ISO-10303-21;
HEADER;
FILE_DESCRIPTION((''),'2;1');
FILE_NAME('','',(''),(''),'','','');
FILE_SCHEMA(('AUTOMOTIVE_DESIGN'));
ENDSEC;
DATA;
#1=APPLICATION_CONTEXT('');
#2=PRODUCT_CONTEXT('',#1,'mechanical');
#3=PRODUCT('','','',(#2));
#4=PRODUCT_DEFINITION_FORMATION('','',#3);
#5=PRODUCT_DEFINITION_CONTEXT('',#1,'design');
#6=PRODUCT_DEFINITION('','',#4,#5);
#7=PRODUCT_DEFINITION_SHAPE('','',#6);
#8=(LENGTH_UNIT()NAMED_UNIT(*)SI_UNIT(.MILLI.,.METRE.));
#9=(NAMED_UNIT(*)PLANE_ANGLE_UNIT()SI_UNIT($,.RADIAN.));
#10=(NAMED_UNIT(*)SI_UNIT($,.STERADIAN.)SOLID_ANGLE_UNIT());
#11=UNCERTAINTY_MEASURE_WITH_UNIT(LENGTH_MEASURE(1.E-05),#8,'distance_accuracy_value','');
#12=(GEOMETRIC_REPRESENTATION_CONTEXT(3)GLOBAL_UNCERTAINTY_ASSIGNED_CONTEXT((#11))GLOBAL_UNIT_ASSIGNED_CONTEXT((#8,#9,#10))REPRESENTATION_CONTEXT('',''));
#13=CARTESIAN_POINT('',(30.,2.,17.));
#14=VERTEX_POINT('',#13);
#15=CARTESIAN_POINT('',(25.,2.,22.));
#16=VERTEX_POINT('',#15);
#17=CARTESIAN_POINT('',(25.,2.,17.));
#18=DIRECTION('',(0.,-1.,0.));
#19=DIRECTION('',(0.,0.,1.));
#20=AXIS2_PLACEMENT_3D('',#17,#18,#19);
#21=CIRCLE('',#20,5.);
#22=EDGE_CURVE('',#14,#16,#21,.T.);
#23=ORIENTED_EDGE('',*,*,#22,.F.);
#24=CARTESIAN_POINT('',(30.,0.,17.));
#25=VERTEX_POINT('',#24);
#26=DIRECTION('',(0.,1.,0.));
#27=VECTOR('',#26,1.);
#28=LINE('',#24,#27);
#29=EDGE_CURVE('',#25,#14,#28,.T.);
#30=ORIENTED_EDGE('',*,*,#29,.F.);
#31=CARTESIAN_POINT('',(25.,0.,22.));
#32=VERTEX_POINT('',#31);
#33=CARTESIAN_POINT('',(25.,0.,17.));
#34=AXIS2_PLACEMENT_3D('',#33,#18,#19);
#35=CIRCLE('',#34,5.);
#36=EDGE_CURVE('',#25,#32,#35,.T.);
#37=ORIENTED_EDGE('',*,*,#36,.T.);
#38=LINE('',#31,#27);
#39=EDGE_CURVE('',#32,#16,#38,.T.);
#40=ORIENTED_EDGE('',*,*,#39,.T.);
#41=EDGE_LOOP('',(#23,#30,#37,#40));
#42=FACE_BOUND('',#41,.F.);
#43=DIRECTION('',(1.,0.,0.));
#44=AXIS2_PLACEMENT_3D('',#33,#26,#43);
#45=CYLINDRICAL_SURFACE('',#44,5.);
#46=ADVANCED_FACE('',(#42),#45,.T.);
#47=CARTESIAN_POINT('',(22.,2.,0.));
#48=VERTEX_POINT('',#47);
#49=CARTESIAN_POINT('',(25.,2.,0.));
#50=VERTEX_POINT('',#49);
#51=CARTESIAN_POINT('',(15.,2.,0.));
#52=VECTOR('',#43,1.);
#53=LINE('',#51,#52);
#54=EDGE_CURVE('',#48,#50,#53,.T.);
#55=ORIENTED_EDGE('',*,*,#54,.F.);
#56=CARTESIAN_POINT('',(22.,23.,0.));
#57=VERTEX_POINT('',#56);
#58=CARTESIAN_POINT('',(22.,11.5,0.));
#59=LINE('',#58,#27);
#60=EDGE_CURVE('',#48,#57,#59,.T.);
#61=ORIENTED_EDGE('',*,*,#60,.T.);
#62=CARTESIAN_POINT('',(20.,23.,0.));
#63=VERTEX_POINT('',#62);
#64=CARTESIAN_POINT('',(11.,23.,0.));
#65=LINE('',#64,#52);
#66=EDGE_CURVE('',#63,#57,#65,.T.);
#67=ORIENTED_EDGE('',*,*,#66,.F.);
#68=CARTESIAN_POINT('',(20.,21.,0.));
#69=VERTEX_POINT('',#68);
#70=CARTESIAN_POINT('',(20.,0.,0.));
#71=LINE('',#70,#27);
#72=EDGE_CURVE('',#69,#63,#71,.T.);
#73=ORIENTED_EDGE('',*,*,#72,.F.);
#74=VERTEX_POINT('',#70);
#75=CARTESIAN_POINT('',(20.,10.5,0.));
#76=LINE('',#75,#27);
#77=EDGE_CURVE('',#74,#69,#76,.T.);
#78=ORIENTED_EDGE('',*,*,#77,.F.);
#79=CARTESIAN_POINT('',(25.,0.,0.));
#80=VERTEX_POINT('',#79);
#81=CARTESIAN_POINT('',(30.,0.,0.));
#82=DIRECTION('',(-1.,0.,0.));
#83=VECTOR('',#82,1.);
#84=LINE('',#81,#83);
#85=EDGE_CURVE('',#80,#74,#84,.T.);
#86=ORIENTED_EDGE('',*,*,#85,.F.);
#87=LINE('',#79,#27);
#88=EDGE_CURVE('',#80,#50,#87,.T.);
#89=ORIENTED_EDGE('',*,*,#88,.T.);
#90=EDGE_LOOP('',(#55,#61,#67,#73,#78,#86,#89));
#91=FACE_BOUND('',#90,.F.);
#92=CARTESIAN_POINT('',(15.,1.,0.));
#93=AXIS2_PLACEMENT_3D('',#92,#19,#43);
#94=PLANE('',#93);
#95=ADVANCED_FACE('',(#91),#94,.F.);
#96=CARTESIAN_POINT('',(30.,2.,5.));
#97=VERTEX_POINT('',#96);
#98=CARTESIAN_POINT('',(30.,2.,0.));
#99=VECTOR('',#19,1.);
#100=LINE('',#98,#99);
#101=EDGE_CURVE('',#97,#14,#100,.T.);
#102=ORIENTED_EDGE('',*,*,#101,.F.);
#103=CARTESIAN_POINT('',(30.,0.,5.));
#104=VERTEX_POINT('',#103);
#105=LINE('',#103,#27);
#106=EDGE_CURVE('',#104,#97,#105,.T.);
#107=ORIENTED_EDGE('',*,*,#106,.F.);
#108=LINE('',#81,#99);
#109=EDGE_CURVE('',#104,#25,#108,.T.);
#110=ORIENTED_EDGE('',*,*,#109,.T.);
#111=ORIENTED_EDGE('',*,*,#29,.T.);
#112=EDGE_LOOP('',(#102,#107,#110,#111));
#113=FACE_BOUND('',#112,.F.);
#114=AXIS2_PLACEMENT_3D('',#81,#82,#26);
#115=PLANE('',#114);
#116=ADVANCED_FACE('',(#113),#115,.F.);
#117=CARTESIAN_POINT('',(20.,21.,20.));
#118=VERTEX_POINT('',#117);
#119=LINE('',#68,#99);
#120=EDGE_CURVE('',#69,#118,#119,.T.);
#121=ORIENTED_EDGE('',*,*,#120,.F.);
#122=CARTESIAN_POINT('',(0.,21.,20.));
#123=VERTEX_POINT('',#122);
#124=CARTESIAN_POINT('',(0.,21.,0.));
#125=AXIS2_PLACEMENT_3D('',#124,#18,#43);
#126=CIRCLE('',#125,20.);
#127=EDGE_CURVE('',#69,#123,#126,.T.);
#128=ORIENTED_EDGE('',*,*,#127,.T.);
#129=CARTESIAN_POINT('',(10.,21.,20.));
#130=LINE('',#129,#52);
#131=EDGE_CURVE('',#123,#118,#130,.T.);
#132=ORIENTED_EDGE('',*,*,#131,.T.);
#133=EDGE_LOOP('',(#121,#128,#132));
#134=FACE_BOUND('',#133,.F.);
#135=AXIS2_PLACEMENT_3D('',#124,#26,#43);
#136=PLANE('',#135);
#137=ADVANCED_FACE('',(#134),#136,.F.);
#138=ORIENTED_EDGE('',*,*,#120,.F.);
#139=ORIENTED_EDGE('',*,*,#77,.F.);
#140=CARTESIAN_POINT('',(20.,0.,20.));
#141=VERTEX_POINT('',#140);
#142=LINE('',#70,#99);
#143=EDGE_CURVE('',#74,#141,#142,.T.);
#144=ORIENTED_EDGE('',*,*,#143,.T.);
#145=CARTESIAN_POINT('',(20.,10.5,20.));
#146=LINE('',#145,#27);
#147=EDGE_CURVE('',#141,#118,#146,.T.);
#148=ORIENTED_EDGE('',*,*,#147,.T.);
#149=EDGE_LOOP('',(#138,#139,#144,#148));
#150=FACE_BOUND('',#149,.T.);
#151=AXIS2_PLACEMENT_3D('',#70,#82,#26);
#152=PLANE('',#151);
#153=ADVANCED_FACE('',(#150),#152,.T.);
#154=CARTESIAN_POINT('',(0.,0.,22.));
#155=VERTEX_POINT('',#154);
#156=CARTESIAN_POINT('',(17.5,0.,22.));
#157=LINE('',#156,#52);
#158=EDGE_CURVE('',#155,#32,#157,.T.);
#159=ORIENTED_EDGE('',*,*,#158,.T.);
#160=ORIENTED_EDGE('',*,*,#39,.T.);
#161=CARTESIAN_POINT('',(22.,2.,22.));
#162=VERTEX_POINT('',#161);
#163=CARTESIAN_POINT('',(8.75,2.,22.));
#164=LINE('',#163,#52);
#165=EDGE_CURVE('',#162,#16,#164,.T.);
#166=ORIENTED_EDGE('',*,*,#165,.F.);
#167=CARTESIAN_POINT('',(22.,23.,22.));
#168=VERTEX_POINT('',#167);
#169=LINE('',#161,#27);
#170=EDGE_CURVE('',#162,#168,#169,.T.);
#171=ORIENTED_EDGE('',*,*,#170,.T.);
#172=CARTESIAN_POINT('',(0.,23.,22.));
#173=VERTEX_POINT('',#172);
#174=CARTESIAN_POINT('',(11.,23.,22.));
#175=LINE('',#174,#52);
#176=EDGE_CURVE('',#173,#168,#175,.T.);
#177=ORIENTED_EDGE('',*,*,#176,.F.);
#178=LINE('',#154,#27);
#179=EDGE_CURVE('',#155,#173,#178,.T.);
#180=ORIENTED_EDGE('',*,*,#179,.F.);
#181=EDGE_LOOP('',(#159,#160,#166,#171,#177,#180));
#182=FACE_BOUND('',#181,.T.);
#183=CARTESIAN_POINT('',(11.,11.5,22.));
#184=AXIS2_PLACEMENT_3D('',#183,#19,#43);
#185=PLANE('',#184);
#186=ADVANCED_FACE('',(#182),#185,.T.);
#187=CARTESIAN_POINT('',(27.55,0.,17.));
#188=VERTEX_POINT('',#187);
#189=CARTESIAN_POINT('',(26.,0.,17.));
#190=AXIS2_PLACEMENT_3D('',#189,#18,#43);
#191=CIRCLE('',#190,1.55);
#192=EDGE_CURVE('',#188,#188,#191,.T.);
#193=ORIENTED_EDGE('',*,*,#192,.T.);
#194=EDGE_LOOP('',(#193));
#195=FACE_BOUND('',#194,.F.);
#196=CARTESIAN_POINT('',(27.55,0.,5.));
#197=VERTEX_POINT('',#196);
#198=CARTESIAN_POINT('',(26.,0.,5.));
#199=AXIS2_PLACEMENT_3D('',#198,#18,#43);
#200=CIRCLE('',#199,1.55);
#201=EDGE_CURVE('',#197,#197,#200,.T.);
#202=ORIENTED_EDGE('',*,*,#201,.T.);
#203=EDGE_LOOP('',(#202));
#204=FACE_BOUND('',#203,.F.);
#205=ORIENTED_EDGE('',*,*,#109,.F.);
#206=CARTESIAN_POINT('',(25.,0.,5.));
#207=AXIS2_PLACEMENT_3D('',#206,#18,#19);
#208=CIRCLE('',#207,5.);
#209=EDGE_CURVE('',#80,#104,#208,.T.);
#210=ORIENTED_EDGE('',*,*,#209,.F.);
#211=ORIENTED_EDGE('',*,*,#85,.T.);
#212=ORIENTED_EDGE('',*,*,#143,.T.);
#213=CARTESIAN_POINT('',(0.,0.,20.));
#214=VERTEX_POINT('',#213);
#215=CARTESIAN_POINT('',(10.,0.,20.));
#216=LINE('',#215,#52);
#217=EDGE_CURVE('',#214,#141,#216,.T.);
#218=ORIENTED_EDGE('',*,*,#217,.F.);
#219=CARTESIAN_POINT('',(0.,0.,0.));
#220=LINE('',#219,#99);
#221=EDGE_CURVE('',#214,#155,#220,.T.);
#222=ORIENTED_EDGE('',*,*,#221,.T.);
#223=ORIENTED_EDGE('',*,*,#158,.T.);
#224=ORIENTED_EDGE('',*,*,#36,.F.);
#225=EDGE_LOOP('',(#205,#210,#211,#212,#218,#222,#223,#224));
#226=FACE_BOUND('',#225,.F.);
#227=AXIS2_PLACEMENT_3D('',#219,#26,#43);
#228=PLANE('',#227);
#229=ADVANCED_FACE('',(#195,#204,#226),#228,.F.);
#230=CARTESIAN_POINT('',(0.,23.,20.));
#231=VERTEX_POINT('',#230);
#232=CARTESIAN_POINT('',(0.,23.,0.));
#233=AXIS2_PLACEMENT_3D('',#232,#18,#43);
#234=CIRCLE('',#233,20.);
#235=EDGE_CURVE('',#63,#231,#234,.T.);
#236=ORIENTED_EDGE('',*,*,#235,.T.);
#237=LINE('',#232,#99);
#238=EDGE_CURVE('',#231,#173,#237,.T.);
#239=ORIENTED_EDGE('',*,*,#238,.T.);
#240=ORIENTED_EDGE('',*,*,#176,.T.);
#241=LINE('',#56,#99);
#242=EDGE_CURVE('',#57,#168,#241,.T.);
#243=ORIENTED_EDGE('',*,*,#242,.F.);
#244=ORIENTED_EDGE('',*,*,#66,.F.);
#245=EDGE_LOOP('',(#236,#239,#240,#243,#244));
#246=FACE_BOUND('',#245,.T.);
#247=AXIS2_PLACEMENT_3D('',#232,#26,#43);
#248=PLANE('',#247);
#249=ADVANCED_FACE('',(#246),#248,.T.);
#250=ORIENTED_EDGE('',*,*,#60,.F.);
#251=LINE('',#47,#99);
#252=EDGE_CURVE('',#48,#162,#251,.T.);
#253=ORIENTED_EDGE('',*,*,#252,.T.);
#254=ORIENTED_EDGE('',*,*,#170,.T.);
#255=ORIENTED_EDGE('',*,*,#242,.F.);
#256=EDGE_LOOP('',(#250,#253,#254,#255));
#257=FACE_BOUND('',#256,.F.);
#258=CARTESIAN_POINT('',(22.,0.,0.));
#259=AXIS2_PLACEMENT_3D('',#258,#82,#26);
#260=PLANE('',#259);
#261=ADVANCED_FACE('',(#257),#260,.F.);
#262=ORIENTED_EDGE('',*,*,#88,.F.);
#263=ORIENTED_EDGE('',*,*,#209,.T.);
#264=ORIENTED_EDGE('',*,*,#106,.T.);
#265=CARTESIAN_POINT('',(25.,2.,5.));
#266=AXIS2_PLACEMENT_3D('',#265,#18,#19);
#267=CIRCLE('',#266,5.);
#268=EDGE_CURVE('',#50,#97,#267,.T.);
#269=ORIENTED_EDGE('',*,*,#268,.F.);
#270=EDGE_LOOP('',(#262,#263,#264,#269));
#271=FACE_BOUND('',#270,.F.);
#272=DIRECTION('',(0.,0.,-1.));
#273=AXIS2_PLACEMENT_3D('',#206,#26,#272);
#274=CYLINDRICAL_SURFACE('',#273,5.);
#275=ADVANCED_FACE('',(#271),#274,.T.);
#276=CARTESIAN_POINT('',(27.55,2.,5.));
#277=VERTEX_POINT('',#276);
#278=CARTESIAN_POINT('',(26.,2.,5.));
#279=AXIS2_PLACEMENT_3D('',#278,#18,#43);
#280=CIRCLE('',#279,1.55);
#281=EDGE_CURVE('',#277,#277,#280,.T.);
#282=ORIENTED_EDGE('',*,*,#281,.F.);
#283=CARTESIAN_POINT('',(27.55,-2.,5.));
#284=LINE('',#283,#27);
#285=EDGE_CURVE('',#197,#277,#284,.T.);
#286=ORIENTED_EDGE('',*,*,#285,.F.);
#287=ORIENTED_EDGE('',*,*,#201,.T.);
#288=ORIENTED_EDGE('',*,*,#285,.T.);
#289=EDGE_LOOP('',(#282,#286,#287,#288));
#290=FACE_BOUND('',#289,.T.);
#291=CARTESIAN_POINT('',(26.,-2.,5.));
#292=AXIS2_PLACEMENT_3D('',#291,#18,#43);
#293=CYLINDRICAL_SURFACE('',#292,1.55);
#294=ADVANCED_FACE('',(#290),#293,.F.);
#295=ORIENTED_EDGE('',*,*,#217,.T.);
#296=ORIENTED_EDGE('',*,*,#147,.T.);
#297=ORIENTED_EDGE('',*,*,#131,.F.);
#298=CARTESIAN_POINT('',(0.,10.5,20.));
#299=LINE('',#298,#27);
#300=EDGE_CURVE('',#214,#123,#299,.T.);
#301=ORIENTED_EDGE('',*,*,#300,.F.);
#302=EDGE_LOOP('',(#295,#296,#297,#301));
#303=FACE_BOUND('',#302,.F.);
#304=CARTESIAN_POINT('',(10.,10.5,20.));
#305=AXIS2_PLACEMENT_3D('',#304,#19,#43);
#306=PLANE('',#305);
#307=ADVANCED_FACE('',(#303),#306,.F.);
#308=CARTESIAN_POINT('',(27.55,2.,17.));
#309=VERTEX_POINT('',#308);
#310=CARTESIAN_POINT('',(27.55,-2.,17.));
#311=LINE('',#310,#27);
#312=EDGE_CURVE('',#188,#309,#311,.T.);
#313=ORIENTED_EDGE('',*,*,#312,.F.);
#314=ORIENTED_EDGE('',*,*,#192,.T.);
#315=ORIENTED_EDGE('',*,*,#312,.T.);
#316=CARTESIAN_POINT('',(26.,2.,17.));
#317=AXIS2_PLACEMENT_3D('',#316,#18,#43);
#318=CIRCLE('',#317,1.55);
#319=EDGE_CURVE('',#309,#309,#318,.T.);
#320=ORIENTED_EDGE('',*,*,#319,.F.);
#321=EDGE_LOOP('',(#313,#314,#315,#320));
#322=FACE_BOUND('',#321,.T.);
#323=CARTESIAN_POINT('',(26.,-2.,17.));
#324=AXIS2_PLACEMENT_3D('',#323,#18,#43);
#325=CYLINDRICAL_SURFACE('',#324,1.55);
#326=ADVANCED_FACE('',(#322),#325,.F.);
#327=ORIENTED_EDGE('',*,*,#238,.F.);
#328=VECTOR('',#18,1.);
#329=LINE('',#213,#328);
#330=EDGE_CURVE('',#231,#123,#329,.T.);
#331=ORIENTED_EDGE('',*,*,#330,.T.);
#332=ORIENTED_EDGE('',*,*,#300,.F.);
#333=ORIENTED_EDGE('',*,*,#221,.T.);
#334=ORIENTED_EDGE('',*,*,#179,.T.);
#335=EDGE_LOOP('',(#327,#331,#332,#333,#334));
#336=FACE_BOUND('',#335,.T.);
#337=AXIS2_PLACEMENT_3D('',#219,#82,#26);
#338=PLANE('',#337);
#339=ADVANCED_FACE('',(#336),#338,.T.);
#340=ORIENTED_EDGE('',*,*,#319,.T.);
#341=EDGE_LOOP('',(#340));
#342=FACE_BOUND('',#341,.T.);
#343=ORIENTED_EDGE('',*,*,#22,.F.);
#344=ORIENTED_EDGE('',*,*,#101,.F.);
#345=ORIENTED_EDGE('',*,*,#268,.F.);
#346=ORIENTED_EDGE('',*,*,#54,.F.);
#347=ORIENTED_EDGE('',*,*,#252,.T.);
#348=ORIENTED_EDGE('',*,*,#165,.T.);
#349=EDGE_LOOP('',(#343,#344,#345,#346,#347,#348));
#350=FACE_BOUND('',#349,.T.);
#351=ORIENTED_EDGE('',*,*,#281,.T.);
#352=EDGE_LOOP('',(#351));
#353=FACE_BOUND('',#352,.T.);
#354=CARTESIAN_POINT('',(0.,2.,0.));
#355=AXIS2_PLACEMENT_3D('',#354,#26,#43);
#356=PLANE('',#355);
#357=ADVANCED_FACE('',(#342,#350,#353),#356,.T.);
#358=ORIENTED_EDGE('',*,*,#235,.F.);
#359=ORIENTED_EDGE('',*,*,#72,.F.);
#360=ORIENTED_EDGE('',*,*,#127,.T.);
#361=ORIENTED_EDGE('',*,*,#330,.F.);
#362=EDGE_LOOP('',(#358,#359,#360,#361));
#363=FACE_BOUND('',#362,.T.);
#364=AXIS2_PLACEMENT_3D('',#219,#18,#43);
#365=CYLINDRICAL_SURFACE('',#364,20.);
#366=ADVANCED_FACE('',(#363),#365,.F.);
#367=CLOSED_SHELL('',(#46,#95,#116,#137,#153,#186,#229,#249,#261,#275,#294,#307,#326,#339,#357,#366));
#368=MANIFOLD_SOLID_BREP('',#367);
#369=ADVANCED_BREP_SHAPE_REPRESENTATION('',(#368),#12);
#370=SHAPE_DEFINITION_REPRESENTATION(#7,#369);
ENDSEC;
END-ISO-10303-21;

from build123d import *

# Parameters (mm, degrees)
CYLINDER_R             = 1.55
CYLINDER_DEPTH         = 10
CYLINDER_ROLL_ANGLE    = -90
CYLINDER001_R          = 20
CYLINDER001_DEPTH      = 25
CYLINDER001_ROLL_ANGLE = -90
CYLINDER002_R          = 1.55
CYLINDER002_DEPTH      = 10
CYLINDER002_ROLL_ANGLE = -90
BOX003_W               = 35
BOX003_H               = 9
BOX003_DEPTH           = 10
BOX001_W               = 20
BOX001_H               = 21
BOX001_DEPTH           = 20
BOX_W                  = 22
BOX_H                  = 23
BOX_DEPTH              = 22
BOX002_W               = 30
BOX002_H               = 2
BOX002_DEPTH           = 30
FILLET_R               = 5
FILLET001_R            = 5


with BuildPart() as cilindro:
    # Cylinder → Cylinder (new body)
    with BuildSketch(Plane.XY):
        Circle(CYLINDER_R)
    extrude(amount=CYLINDER_DEPTH)


with BuildPart() as cilindro_1:
    # Cylinder roll: moved
    add(cilindro.part.rotate(Axis((0, 0, 0), (1, 0, 0)), CYLINDER_ROLL_ANGLE))


with BuildPart() as cilindro_2:
    # Cylinder placement: moved
    add(cilindro_1.part.moved(Location((26, -2, 5))))


with BuildPart() as cilindro001:
    # Cylinder001 → Cylinder001 (new body)
    with BuildSketch(Plane.XY):
        Circle(CYLINDER001_R)
    extrude(amount=CYLINDER001_DEPTH)


with BuildPart() as cilindro001_1:
    # Cylinder001 roll: moved
    add(cilindro001.part.rotate(Axis((0, 0, 0), (1, 0, 0)), CYLINDER001_ROLL_ANGLE))


with BuildPart() as cilindro001_2:
    # Cylinder001 placement: moved
    add(cilindro001_1.part)


with BuildPart() as cilindro002:
    # Cylinder002 → Cylinder002 (new body)
    with BuildSketch(Plane.XY):
        Circle(CYLINDER002_R)
    extrude(amount=CYLINDER002_DEPTH)


with BuildPart() as cilindro002_1:
    # Cylinder002 roll: moved
    add(cilindro002.part.rotate(Axis((0, 0, 0), (1, 0, 0)), CYLINDER002_ROLL_ANGLE))


with BuildPart() as cilindro002_2:
    # Cylinder002 placement: moved
    add(cilindro002_1.part.moved(Location((26, -2, 17))))


with BuildPart() as cubo003:
    # Box003 → Box003 (new body)
    with BuildSketch(Plane.XY.offset(22)):
        with Locations((17.5, 4.5)):
            Rectangle(BOX003_W, BOX003_H)
    extrude(amount=BOX003_DEPTH)


with BuildPart() as cubo001:
    # Box001 → Box001 (new body)
    with BuildSketch(Plane.XY):
        with Locations((10, 10.5)):
            Rectangle(BOX001_W, BOX001_H)
    extrude(amount=BOX001_DEPTH)


with BuildPart() as cubo:
    # Box → Box (new body)
    with BuildSketch(Plane.XY):
        with Locations((11, 11.5)):
            Rectangle(BOX_W, BOX_H)
    extrude(amount=BOX_DEPTH)


with BuildPart() as fillet001:
    # Box002 → Box002 (new body)
    with BuildSketch(Plane.XY):
        with Locations((15, 1)):
            Rectangle(BOX002_W, BOX002_H)
    extrude(amount=BOX002_DEPTH)

    # Fusion: union Cubo
    add(cubo.part)

    # Cut: cut Cubo001
    add(cubo001.part, mode=Mode.SUBTRACT)

    # Cut001: cut Cubo003
    add(cubo003.part, mode=Mode.SUBTRACT)

    # Cut002: cut Cilindro002
    add(cilindro002_2.part, mode=Mode.SUBTRACT)

    # Cut003: cut Cilindro001
    add(cilindro001_2.part, mode=Mode.SUBTRACT)

    # Cut004: cut Cilindro
    add(cilindro_2.part, mode=Mode.SUBTRACT)

    # Fillet
    fillet_edges = [fillet001.edges().sort_by_distance(p)[0] for p in [
        (30, 1, 0),
    ]]
    fillet(fillet_edges, radius=FILLET_R)

    # Fillet001
    fillet001_edges = [fillet001.edges().sort_by_distance(p)[0] for p in [
        (30, 1, 22),
    ]]
    fillet(fillet001_edges, radius=FILLET001_R)


solid = fillet001.part
